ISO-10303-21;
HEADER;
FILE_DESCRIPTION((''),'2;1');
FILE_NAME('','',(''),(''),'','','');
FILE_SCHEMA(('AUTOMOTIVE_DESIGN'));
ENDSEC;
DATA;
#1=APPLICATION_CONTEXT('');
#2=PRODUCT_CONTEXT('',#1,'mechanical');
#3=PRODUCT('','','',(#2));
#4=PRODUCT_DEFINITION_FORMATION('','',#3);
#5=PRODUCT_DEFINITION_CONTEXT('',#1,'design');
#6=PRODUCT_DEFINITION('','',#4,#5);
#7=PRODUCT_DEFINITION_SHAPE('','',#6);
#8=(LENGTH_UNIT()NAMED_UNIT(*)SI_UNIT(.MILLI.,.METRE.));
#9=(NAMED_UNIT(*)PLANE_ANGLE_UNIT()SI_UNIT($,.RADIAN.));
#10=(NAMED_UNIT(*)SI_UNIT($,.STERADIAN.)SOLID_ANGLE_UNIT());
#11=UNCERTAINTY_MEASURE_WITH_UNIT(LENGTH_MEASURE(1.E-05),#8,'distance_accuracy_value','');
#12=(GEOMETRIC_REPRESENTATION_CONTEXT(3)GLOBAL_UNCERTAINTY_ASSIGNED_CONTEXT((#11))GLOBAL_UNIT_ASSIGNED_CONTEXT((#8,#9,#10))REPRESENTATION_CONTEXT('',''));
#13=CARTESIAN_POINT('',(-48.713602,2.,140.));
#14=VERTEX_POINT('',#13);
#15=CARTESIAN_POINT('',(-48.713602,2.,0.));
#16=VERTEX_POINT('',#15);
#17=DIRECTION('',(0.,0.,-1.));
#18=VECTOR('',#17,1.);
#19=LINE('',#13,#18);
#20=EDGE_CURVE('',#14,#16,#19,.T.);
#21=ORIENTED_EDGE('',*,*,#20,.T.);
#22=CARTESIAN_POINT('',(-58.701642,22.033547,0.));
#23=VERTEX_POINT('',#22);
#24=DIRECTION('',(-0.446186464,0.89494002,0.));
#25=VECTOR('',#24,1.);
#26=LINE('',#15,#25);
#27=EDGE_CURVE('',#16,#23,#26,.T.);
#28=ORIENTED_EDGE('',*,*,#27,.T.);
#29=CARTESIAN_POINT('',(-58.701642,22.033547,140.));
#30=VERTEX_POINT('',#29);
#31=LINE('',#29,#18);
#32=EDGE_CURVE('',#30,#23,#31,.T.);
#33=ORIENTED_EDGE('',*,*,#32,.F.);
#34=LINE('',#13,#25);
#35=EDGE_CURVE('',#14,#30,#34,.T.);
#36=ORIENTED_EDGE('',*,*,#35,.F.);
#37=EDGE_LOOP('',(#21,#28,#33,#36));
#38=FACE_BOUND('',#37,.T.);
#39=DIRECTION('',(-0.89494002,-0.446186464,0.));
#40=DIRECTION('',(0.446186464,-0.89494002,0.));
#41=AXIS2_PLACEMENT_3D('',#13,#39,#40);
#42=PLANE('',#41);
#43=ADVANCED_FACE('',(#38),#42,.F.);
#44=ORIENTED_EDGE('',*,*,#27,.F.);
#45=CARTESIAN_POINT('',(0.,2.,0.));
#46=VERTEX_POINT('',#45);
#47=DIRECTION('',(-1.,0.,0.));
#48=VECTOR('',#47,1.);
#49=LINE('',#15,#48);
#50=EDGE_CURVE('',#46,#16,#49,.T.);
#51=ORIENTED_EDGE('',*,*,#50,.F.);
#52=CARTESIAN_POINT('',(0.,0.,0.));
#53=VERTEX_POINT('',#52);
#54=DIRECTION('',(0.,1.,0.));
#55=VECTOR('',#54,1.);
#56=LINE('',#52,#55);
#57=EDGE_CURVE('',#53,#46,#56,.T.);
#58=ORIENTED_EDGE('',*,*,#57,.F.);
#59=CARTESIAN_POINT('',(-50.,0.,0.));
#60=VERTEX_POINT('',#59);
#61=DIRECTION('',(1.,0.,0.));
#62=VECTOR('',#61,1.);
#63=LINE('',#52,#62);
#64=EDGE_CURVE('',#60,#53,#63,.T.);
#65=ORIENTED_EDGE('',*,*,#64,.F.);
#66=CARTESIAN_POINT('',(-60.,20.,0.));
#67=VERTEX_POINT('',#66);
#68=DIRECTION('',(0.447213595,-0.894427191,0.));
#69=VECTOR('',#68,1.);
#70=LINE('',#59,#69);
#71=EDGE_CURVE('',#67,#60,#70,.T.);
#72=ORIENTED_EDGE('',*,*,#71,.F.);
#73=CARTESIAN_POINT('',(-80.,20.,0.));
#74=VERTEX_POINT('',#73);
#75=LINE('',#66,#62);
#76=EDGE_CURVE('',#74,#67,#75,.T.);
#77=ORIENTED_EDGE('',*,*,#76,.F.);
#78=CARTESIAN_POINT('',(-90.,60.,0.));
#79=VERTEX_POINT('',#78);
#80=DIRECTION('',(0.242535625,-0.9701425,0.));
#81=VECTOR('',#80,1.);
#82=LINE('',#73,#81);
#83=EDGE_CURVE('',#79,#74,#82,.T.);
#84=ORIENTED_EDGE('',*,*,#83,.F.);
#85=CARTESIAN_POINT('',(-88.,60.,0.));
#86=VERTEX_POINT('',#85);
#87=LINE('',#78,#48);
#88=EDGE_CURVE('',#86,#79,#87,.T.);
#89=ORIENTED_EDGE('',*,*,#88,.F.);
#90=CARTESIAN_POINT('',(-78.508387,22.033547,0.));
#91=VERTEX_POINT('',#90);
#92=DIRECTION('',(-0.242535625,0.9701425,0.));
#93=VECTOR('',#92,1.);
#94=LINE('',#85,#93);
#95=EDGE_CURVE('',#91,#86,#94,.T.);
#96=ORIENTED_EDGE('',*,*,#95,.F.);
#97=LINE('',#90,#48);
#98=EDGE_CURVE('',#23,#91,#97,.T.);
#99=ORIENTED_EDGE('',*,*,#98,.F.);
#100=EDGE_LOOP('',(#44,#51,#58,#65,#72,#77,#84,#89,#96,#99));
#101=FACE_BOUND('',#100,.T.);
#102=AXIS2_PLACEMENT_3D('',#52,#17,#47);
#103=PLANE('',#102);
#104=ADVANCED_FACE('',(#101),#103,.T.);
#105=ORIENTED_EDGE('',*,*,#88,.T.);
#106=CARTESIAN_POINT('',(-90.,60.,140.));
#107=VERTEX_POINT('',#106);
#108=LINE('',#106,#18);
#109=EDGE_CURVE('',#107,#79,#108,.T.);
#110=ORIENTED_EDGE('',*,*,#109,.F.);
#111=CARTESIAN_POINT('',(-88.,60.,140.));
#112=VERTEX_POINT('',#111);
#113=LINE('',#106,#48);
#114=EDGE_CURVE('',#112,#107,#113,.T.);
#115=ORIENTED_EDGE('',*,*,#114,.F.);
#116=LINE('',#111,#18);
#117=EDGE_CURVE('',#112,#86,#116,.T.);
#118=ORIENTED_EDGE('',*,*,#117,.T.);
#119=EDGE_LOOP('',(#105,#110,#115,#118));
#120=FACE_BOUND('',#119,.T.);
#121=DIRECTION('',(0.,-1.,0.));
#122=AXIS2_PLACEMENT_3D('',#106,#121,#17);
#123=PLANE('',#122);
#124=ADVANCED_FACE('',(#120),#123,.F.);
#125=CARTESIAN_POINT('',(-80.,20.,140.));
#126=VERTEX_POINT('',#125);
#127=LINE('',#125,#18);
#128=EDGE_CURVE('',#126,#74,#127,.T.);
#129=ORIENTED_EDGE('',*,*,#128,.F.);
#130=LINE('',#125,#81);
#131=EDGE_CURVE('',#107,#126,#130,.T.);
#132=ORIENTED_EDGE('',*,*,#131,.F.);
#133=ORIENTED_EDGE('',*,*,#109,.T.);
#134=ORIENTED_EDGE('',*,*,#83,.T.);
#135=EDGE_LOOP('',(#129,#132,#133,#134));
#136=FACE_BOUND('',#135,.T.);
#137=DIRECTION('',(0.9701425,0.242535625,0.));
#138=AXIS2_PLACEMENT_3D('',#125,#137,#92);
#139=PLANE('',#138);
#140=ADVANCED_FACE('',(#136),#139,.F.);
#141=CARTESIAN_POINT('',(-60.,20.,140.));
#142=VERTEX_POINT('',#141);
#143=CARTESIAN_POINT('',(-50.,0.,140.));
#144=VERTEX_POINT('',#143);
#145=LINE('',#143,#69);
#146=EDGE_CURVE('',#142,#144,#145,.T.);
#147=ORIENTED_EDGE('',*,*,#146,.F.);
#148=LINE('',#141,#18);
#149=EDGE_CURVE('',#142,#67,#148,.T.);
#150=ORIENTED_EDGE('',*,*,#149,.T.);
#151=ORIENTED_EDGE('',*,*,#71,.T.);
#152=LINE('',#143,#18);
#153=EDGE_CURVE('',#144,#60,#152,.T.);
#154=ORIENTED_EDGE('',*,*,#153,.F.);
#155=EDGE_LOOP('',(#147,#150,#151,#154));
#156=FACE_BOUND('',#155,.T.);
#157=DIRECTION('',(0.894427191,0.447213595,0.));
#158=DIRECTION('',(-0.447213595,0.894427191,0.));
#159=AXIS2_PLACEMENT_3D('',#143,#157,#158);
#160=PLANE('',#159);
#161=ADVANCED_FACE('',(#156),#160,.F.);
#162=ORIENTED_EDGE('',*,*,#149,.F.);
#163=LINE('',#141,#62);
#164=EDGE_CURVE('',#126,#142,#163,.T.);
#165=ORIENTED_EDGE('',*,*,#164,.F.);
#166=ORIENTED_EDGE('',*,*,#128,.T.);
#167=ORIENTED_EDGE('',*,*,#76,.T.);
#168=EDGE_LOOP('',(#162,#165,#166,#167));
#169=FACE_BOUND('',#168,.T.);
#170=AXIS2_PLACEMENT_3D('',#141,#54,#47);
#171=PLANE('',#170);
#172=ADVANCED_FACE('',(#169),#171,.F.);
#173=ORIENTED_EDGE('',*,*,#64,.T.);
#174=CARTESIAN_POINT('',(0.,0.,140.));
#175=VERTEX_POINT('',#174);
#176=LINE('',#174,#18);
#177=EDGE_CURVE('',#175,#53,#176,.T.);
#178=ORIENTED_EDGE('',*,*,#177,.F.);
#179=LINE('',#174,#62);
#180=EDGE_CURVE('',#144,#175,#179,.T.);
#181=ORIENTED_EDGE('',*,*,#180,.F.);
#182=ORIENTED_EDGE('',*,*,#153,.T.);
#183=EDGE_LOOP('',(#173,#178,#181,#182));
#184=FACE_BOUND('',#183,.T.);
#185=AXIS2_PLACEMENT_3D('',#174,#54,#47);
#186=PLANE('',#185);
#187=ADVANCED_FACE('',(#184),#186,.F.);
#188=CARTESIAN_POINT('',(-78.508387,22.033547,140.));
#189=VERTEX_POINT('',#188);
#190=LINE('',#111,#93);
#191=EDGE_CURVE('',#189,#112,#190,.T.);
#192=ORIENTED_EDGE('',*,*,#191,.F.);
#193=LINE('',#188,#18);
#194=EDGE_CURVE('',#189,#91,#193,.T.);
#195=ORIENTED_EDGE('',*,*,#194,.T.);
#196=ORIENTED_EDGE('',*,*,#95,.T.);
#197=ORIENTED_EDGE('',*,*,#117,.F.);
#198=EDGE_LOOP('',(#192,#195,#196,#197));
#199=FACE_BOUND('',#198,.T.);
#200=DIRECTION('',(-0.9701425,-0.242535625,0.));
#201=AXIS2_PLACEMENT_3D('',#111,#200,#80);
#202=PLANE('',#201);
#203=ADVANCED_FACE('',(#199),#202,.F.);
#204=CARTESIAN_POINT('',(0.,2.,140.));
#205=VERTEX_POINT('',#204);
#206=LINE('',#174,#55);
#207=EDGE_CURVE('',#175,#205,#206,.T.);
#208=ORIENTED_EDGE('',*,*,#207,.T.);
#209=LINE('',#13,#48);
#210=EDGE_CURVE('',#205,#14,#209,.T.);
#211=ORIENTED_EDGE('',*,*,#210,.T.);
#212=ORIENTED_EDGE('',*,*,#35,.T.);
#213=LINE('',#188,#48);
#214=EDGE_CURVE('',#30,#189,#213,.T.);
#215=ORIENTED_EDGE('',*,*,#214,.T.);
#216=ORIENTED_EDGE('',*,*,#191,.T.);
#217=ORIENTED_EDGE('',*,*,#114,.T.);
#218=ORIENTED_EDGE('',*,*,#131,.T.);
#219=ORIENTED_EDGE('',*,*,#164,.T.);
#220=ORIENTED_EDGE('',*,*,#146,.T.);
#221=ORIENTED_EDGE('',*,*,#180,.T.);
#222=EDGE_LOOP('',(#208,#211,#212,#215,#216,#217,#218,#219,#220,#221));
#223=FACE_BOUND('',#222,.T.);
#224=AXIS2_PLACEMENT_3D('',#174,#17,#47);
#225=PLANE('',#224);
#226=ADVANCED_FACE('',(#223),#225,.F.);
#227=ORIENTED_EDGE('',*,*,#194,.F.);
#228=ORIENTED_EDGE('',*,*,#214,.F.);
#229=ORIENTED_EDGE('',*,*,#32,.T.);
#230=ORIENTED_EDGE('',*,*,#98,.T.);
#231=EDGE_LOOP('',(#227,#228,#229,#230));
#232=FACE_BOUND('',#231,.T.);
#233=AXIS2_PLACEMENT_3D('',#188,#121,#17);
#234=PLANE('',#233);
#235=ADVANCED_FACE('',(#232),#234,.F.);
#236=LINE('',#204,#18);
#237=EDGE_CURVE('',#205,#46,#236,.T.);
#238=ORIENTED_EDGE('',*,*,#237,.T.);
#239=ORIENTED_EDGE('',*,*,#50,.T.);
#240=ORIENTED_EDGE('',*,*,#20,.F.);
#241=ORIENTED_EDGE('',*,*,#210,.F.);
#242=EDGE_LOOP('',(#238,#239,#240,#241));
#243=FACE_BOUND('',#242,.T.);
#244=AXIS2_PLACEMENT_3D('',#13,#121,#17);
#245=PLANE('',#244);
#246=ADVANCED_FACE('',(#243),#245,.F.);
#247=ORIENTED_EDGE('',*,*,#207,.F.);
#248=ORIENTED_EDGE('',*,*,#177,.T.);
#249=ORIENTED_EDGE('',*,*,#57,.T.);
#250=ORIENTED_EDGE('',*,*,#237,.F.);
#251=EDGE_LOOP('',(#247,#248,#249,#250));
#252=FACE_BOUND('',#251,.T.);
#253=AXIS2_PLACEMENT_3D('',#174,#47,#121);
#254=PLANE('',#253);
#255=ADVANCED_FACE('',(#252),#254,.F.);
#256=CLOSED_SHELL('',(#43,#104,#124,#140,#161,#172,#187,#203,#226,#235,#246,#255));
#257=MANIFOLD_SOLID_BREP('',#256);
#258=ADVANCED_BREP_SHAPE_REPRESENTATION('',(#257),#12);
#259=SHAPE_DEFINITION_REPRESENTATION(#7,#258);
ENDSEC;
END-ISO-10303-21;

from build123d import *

# Parameters (mm, degrees)
EXTRUDE_1_DEPTH = 140


with BuildPart() as part:
    # 草图1 → 凸台-拉伸1 (new body)
    with BuildSketch(Plane.XY):
        Polygon((0, 0), (-50, 0), (-60, 20), (-80, 20), (-90, 60), (-88, 60), (-78.508386645, 22.033546579), (-58.701642421, 22.033546579), (-48.71360177, 2), (0, 2), align=None)
    extrude(amount=EXTRUDE_1_DEPTH)


solid = part.part
